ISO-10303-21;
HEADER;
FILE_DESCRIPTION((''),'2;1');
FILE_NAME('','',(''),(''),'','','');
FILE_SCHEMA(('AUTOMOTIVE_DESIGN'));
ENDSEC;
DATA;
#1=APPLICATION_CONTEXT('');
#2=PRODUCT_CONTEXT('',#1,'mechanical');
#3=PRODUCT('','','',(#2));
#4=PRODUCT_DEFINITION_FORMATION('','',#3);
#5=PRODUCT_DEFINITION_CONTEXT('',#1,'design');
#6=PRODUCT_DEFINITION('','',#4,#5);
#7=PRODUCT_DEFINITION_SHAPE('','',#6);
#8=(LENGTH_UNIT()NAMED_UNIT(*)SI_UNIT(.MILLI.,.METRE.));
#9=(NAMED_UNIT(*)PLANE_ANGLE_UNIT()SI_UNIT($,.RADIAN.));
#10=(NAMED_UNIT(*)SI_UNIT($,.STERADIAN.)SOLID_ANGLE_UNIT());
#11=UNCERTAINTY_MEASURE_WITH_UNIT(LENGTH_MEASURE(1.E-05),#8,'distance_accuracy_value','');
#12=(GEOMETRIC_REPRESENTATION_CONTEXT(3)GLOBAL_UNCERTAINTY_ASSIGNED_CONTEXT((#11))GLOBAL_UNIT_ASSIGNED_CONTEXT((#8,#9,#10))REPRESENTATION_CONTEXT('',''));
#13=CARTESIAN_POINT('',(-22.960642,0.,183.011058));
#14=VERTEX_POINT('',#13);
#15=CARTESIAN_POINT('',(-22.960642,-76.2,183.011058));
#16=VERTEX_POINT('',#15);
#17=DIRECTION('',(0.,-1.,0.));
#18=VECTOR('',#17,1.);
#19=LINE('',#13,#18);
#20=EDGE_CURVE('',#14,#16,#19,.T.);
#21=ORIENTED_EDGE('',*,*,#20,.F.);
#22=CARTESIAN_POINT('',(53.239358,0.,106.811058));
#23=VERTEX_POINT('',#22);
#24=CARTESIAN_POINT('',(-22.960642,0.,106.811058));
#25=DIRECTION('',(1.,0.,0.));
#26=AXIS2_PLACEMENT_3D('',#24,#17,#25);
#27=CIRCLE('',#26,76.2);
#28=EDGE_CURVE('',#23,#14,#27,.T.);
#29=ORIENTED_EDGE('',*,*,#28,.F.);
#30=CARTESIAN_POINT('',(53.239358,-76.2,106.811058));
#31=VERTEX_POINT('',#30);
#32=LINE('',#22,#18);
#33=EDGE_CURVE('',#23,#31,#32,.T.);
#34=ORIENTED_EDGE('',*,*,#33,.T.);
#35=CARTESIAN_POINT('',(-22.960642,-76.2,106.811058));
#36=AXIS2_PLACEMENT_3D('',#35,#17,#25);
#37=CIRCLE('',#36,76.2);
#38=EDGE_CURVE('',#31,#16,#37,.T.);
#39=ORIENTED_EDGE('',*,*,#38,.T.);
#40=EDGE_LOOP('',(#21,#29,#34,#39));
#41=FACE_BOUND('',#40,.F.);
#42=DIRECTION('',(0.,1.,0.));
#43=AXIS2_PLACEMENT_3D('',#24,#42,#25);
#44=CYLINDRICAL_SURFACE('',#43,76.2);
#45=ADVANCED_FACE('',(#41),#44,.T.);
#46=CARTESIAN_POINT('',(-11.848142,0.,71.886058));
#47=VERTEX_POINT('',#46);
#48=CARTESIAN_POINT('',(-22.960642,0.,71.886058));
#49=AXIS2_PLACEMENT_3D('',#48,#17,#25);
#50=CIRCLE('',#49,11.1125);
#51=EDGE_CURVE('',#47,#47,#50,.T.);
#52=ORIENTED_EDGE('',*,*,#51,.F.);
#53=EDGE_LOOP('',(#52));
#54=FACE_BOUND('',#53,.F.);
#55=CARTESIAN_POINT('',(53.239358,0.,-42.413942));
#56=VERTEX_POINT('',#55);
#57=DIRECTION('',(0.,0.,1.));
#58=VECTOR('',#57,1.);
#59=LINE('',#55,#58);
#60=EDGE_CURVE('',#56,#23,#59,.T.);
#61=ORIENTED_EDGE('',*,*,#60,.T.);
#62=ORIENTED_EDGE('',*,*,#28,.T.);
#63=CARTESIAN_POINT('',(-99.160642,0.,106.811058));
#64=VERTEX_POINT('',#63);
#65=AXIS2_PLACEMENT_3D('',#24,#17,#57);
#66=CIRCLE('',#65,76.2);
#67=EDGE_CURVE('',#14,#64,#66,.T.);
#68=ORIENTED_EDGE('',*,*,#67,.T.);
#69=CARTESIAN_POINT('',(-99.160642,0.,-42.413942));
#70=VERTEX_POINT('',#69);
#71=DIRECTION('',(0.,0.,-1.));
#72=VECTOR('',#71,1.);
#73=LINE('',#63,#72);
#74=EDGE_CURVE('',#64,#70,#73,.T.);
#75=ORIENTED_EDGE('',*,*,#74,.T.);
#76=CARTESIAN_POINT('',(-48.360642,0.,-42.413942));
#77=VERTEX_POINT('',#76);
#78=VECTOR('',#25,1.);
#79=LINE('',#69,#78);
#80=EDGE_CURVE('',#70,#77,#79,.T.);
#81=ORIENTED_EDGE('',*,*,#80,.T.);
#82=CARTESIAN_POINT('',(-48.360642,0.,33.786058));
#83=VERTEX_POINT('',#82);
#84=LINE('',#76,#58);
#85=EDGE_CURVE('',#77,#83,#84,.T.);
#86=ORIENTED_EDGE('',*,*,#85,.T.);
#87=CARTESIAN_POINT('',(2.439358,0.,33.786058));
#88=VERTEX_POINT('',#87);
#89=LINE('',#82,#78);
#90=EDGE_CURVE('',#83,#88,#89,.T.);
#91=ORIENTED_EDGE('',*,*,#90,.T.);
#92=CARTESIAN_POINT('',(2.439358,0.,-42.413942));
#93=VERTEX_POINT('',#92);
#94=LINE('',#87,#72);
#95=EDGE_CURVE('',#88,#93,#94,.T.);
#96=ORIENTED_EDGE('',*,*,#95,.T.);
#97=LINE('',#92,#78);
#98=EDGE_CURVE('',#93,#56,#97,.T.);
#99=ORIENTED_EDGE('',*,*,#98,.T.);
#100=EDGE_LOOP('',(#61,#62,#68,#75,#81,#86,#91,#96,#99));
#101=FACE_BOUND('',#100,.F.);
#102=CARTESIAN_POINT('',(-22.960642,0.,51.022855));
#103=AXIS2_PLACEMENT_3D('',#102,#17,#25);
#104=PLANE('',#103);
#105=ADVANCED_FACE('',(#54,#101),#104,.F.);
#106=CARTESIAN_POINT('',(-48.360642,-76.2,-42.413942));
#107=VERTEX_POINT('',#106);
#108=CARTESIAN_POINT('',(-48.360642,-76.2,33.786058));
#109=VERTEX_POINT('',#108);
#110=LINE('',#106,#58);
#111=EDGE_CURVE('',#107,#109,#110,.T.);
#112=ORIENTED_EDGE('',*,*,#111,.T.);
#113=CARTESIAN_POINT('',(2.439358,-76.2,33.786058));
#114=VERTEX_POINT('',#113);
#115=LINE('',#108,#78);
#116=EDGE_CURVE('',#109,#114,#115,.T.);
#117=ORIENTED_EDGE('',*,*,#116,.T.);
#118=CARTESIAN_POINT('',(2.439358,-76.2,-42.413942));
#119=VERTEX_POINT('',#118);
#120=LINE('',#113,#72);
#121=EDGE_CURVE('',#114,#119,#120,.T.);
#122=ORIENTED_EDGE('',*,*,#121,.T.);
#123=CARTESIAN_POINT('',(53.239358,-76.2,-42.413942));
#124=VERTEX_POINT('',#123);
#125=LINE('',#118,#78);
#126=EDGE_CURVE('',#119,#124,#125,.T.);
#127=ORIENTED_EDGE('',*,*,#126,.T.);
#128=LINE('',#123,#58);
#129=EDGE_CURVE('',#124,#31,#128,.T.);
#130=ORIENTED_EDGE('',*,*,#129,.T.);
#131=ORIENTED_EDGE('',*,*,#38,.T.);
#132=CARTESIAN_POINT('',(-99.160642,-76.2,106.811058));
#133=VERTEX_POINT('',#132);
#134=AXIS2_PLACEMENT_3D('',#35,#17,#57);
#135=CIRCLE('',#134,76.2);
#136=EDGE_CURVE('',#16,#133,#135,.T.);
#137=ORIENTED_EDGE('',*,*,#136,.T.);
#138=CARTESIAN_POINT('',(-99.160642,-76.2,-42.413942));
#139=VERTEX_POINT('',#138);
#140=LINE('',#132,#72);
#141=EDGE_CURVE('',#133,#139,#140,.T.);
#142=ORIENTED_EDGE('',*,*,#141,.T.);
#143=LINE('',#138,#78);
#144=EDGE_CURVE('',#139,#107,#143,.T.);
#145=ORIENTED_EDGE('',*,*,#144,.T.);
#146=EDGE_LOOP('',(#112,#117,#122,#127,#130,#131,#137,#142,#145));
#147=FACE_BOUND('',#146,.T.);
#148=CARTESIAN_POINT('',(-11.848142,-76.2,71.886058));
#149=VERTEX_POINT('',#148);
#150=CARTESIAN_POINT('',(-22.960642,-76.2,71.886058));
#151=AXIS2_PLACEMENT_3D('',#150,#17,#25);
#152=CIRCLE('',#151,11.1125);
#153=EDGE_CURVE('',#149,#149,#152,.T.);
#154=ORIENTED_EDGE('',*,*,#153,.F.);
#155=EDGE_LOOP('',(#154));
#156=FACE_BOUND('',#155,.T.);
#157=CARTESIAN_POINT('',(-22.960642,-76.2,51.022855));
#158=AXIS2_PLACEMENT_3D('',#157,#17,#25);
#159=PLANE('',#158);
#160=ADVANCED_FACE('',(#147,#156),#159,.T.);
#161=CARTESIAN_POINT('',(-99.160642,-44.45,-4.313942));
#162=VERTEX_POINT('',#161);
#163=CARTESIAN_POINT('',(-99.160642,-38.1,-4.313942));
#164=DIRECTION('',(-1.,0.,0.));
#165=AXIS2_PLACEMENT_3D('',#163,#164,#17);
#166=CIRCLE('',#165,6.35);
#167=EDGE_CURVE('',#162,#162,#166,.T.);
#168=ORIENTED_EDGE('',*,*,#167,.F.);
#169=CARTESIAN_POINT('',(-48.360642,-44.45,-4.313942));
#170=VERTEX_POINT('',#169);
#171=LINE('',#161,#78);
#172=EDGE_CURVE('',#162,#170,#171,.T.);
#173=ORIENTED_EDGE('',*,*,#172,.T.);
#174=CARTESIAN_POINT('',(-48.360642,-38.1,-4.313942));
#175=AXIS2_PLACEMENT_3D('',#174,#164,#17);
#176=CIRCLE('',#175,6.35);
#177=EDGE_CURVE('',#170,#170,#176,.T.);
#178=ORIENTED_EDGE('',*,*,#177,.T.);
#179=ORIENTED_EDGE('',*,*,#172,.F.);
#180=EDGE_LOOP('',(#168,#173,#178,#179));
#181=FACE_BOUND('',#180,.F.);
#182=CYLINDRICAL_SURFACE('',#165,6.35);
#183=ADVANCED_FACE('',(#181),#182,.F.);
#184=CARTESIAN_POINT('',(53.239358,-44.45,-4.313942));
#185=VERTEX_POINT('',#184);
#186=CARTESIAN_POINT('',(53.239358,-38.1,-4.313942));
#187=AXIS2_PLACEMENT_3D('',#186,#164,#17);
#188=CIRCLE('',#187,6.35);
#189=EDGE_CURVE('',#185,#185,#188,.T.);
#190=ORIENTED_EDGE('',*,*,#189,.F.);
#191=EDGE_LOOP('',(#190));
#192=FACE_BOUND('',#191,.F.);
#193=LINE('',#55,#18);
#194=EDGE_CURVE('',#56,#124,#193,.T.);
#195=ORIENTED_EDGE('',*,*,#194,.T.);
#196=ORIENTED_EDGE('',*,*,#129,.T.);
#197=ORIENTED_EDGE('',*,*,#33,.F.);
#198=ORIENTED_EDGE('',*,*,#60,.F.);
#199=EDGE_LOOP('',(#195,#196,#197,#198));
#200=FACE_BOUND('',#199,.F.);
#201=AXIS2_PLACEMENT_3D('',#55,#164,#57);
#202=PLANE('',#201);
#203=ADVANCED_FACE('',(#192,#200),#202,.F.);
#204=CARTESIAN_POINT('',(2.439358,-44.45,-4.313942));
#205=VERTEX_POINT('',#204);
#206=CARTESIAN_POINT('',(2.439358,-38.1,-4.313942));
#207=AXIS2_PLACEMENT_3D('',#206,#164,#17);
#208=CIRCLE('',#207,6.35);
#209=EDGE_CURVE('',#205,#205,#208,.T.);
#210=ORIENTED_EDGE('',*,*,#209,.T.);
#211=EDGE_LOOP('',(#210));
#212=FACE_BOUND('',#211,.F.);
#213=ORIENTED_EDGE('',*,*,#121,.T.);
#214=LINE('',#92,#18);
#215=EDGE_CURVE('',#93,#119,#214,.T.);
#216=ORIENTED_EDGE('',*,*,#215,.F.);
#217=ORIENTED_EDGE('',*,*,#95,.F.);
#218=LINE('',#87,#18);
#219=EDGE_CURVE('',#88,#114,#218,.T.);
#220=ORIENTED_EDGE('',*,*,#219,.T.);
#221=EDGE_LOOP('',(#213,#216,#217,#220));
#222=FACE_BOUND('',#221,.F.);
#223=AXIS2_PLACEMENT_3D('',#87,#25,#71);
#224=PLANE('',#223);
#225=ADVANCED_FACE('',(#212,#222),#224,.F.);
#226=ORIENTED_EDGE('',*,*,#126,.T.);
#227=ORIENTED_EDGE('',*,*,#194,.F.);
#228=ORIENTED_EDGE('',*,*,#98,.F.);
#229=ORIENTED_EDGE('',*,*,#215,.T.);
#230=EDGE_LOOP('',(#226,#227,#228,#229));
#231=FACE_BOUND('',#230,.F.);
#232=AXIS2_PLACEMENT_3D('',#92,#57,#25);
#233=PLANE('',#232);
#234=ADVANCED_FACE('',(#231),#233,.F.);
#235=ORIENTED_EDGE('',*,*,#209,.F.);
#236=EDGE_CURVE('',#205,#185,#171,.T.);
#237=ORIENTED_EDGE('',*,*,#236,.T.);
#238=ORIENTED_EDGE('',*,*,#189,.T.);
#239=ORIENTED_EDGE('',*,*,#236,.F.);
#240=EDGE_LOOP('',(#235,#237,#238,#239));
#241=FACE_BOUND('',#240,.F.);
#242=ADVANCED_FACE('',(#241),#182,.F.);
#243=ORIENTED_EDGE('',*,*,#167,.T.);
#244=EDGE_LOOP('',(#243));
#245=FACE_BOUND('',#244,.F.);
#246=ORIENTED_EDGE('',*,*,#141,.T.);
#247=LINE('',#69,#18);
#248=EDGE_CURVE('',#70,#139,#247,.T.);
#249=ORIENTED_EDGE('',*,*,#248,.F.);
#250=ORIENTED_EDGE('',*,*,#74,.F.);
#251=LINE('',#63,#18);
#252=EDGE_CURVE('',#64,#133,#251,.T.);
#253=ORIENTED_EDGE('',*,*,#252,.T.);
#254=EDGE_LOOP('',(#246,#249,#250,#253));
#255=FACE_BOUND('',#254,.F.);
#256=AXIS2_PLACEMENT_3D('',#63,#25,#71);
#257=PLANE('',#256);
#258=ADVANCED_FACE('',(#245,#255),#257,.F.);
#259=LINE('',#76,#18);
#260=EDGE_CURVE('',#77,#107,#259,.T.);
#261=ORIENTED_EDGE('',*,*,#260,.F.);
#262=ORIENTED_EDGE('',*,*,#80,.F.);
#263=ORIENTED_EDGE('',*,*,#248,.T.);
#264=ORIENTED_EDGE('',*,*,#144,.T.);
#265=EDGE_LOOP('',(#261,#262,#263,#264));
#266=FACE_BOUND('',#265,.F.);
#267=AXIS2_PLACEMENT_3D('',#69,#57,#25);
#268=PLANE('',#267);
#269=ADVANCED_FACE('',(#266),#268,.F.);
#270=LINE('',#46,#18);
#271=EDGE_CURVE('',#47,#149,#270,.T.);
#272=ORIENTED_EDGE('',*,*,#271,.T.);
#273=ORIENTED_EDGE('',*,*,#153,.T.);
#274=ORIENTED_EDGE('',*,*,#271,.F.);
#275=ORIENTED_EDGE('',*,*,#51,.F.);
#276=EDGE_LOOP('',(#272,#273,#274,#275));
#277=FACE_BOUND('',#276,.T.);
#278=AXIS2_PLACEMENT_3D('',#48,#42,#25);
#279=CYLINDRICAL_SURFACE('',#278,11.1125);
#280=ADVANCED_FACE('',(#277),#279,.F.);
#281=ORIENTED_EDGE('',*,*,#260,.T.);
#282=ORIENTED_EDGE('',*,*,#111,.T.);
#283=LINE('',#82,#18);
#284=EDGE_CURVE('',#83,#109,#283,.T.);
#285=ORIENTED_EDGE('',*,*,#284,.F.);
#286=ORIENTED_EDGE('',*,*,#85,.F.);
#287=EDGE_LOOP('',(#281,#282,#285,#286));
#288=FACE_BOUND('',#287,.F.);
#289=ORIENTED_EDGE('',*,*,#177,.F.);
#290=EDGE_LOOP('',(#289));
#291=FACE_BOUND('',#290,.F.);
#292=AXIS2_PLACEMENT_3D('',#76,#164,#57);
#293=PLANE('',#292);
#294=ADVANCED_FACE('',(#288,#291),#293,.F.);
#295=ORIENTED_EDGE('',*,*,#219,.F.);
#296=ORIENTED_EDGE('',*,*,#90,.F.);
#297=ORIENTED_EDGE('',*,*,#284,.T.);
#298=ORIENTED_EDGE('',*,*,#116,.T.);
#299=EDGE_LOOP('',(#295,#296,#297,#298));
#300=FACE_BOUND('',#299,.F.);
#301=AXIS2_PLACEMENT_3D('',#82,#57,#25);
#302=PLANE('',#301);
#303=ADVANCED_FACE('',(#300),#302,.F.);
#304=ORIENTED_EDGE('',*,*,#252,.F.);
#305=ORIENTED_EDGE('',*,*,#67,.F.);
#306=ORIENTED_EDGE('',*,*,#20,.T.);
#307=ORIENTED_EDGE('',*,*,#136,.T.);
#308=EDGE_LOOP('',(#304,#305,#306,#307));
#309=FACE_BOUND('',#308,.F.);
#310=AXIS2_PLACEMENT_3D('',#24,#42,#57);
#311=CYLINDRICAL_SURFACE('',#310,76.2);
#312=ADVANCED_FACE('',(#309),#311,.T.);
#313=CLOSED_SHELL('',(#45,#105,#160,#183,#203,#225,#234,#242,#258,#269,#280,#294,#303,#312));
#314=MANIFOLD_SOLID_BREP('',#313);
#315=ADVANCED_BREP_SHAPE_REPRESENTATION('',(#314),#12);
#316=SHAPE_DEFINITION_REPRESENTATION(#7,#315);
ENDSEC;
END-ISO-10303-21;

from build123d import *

# Parameters (mm, degrees)
F0_R     = 11.1125
F1_DEPTH = 76.2
F3_R     = 6.35
F4_DEPTH = 254


with BuildPart() as f1:
    # F0 (on Front) → F1 (new body)
    with BuildSketch(Plane.XZ):
        with BuildLine():
            Line((-99.1606424355, 106.8110580641), (-99.1606424355, -42.4139419359))
            Line((-99.1606424355, -42.4139419359), (-48.3606424355, -42.4139419359))
            Line((-48.3606424355, -42.4139419359), (-48.3606424355, 33.7860580641))
            Line((-48.3606424355, 33.7860580641), (2.4393575645, 33.7860580641))
            Line((2.4393575645, 33.7860580641), (2.4393575645, -42.4139419359))
            Line((2.4393575645, -42.4139419359), (53.2393575645, -42.4139419359))
            Line((53.2393575645, -42.4139419359), (53.2393575645, 106.8110580641))
            ThreePointArc((53.2393575645, 106.8110580641), (30.9208942909, 160.6925947905), (-22.9606424355, 183.0110580641))
            ThreePointArc((-22.9606424355, 183.0110580641), (-76.8421791619, 160.6925947905), (-99.1606424355, 106.8110580641))
        make_face()
        with Locations((-22.9606424355, 71.8860580641)):
            Circle(F0_R, mode=Mode.SUBTRACT)
    extrude(amount=F1_DEPTH)

    # F3 (on offset) → F4 (cut)
    with BuildSketch(Plane(origin=(-99.1606424355, 0, 0), x_dir=(0, -1, 0), z_dir=(-1, 0, 0))):
        with Locations((38.1, -4.3139419359)):
            Circle(F3_R)
    extrude(amount=-F4_DEPTH, mode=Mode.SUBTRACT)


solid = f1.part
